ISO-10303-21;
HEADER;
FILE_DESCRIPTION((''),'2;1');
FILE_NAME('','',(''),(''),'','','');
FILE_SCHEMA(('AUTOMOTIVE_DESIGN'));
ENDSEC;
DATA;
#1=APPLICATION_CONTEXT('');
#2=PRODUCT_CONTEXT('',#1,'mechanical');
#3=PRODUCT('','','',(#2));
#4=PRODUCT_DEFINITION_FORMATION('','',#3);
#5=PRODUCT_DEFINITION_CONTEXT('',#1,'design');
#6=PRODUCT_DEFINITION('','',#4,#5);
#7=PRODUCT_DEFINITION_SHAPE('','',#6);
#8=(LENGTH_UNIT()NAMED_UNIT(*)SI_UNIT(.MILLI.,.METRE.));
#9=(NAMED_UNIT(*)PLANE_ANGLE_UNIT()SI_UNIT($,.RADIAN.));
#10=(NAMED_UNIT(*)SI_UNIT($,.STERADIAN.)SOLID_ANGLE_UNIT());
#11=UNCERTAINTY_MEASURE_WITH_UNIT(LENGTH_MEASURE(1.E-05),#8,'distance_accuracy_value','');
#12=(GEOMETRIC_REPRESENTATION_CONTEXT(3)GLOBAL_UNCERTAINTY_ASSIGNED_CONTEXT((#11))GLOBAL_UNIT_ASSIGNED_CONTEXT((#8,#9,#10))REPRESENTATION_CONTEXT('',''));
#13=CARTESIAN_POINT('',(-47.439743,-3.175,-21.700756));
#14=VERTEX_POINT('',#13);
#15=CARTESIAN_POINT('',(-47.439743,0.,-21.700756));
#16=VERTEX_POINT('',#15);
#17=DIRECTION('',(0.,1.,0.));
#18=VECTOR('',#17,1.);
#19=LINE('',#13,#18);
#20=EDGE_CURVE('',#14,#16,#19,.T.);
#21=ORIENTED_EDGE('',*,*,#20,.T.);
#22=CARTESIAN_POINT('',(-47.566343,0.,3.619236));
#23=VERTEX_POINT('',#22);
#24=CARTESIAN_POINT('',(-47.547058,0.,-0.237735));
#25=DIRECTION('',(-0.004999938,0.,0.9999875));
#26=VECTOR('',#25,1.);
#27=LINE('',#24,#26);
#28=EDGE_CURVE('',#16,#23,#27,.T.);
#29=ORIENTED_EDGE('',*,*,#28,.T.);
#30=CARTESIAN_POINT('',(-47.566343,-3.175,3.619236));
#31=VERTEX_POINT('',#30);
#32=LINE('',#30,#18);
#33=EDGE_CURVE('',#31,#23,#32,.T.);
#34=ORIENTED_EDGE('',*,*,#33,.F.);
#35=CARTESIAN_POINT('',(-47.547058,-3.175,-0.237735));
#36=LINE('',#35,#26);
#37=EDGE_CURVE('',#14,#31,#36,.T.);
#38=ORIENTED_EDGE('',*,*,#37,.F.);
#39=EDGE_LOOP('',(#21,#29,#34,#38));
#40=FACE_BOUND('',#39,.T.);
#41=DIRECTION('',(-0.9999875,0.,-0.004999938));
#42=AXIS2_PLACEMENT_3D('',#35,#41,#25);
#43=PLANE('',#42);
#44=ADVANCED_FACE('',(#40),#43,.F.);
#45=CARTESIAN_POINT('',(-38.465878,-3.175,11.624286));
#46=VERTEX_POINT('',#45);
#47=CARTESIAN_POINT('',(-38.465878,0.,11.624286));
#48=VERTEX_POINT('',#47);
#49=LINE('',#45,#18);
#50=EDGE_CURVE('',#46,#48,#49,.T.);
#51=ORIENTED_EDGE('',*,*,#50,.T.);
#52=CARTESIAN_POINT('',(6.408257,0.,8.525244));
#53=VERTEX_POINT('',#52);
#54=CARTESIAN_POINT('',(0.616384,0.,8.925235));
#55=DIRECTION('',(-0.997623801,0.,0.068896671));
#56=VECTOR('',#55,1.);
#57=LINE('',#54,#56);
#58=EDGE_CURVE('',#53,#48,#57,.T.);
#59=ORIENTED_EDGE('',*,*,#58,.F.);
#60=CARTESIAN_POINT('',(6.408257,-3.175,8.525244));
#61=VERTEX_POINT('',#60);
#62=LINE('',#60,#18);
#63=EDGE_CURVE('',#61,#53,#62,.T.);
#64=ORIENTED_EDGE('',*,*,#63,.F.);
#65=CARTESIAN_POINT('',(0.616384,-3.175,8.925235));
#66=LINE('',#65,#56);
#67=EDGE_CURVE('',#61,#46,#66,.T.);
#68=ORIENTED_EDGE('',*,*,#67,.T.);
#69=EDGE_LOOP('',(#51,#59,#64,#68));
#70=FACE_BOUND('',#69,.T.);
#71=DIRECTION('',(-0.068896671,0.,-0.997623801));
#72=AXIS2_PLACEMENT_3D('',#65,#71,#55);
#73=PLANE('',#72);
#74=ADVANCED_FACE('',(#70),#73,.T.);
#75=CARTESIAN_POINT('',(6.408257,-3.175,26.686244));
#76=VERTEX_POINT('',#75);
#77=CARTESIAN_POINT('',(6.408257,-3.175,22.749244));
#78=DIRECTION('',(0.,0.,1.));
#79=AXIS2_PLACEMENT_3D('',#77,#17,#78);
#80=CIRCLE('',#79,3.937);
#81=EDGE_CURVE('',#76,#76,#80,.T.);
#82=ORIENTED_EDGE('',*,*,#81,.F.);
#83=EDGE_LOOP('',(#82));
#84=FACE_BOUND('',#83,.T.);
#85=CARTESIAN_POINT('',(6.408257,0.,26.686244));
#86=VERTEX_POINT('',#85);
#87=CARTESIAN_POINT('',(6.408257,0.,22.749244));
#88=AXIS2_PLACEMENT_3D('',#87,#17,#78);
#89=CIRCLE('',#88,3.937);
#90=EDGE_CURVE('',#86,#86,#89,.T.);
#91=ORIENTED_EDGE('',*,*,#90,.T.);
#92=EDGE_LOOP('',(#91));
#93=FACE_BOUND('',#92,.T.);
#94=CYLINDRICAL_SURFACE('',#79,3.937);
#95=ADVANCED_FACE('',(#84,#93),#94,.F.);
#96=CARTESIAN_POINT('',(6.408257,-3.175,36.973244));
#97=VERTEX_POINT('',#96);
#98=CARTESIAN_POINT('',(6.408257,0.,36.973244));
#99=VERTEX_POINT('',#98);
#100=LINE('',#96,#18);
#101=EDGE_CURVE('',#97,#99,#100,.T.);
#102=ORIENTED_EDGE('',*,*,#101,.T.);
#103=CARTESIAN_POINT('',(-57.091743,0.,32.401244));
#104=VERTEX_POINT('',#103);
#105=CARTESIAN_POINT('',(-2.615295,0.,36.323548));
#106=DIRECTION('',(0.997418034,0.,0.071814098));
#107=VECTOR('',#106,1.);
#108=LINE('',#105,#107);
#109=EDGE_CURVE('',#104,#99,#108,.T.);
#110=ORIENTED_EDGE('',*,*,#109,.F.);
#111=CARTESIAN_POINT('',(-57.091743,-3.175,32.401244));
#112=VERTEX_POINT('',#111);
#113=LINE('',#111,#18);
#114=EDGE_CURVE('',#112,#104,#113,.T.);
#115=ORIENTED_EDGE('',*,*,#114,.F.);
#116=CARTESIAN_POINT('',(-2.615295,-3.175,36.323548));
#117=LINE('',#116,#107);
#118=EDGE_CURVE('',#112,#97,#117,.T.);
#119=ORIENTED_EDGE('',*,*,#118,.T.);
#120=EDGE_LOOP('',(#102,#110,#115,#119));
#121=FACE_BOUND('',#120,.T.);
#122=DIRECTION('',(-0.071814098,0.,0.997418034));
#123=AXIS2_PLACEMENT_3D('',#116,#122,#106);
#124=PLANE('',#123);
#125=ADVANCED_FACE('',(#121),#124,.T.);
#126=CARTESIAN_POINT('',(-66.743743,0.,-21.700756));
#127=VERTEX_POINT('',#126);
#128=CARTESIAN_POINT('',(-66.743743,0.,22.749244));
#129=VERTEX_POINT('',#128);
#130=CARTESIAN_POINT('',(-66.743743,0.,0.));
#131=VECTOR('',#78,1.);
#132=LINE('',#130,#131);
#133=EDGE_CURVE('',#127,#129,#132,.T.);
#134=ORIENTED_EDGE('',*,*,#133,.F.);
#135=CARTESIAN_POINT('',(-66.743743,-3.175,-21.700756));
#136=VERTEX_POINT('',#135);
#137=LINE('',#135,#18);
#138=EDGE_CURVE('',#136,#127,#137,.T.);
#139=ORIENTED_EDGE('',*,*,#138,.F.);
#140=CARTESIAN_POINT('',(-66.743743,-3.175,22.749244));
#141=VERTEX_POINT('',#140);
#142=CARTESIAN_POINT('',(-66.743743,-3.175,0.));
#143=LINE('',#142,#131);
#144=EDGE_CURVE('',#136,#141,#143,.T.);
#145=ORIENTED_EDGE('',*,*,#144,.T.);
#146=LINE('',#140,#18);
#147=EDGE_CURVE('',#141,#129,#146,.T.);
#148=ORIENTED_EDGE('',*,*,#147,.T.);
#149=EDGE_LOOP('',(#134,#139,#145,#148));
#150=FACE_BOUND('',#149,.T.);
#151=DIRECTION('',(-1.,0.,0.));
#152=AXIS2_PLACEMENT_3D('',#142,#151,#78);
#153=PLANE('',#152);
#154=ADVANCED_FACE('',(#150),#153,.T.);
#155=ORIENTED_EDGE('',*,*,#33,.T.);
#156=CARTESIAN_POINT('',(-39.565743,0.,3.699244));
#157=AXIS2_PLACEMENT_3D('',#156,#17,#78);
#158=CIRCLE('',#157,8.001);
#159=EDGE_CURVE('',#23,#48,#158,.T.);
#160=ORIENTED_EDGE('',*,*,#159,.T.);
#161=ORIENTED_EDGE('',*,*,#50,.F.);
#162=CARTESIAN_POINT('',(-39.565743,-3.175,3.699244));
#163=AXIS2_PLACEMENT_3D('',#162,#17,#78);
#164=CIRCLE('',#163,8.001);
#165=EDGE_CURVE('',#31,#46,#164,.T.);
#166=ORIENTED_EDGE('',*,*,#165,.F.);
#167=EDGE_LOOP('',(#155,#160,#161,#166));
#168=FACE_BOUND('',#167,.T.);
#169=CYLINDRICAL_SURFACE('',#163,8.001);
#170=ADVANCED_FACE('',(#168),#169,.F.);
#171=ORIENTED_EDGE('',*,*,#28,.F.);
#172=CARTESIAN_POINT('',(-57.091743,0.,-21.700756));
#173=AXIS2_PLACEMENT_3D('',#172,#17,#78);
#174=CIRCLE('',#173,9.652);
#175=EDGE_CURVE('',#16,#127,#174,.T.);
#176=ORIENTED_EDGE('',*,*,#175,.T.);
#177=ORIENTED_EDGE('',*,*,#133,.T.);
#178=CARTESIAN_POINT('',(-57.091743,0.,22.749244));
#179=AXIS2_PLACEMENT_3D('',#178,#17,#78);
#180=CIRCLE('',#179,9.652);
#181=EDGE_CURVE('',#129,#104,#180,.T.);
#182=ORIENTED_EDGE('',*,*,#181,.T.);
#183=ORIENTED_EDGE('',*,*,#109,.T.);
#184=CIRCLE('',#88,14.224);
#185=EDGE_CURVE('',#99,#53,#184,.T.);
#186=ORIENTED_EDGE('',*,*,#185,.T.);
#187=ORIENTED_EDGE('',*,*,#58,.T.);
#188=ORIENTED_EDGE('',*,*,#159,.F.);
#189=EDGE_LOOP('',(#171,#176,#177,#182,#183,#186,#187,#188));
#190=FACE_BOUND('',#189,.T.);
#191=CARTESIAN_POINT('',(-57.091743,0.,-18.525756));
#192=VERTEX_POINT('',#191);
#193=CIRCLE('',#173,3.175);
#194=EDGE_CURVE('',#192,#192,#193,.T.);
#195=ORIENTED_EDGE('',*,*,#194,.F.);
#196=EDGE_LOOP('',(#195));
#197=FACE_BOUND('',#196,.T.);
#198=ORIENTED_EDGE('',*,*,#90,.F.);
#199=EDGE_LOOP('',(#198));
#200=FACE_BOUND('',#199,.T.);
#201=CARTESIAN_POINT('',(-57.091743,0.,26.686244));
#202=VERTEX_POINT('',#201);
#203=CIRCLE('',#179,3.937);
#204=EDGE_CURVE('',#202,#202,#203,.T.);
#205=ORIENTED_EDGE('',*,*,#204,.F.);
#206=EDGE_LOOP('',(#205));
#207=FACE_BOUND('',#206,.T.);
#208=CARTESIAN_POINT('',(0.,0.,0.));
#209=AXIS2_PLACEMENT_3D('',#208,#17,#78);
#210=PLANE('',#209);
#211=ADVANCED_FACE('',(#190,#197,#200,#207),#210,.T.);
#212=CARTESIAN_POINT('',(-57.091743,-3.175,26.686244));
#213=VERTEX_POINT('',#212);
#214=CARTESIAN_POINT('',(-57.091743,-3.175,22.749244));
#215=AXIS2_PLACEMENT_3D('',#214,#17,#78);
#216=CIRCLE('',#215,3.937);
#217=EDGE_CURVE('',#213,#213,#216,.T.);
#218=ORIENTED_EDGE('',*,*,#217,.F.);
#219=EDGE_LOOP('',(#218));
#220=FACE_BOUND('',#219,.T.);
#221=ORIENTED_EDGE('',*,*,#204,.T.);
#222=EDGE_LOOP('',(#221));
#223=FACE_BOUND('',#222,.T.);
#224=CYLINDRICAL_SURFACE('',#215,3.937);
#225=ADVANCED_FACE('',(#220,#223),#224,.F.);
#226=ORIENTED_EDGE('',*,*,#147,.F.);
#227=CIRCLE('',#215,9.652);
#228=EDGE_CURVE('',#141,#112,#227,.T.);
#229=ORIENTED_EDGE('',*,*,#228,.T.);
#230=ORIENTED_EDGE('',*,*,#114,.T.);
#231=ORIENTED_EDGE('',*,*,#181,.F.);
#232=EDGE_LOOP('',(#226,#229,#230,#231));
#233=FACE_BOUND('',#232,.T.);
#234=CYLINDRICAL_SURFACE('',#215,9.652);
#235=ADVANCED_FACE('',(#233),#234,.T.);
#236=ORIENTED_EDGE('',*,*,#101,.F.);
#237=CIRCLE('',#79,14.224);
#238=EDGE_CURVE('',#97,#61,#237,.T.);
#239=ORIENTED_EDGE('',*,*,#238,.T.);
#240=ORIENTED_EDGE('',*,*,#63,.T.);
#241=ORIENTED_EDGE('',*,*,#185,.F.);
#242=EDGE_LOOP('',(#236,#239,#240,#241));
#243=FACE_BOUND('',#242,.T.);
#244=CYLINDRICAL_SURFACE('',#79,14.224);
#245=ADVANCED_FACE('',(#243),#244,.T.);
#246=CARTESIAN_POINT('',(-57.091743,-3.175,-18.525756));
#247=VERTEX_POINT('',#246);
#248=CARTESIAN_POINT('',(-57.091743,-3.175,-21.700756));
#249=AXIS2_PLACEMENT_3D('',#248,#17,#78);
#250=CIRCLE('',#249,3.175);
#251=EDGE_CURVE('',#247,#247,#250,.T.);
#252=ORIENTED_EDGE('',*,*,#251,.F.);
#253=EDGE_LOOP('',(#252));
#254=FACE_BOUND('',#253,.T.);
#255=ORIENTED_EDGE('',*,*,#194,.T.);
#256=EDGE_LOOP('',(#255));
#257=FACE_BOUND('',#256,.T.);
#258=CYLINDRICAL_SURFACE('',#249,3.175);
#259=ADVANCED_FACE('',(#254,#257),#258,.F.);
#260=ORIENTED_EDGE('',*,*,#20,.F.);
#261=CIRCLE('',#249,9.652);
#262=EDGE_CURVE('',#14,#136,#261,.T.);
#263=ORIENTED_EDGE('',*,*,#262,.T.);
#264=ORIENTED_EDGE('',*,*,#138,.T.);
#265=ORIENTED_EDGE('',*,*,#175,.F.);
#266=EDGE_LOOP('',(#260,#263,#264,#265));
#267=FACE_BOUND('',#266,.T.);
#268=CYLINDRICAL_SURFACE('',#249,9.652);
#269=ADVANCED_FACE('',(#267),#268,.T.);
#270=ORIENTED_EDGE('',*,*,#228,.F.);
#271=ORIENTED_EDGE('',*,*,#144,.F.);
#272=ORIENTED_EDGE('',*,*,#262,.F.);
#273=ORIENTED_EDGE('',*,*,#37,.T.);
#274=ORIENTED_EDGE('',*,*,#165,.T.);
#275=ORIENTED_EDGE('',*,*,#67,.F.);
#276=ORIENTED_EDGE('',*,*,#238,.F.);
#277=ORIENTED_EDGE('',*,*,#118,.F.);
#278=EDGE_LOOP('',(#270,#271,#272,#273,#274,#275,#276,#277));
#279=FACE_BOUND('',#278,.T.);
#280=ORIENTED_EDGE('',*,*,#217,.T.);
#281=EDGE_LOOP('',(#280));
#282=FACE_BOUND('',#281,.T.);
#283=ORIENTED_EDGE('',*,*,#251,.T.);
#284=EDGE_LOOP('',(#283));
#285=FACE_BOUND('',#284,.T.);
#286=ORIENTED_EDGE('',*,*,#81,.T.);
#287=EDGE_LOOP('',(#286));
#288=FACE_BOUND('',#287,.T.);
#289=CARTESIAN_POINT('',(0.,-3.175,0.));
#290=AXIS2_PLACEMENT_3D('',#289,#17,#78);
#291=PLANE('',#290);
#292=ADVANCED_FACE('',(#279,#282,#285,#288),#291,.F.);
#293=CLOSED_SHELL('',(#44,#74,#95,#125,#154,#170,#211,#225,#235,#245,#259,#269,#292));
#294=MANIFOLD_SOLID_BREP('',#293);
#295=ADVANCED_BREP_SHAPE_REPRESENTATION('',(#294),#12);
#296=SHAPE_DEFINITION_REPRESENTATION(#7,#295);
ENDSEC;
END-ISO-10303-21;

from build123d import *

# Parameters (mm, degrees)
SKETCH1_R           = 3.937
SKETCH1_R_2         = 3.175
BOSS_EXTRUDE1_DEPTH = 3.175


with BuildPart() as part:
    # Sketch1 → Boss-Extrude1 (new body)
    with BuildSketch(Plane(origin=(0, 0, 0), x_dir=(1, 0, 0), z_dir=(0, 1, 0))):
        with BuildLine():
            ThreePointArc((-47.439743119, 21.70075638), (-57.091743119, 31.35275638), (-66.743743119, 21.70075638))
            Line((-66.743743119, 21.70075638), (-66.743743119, -22.74924362))
            ThreePointArc((-66.743743119, -22.74924362), (-63.916737771, -29.574238272), (-57.091743119, -32.40124362))
            Line((-57.091743119, -32.40124362), (4.370564279, -36.826529753))
            Line((4.370564279, -36.826529753), (6.408256881, -36.97324362))
            ThreePointArc((6.408256881, -36.97324362), (20.632256881, -22.74924362), (6.408256881, -8.52524362))
            Line((6.408256881, -8.52524362), (4.452941658, -8.660279201))
            Line((4.452941658, -8.660279201), (-38.465878307, -11.624286105))
            ThreePointArc((-38.465878307, -11.624286105), (-39.014500852, -11.681231653), (-39.565743119, -11.70024362))
            ThreePointArc((-39.565743119, -11.70024362), (-45.223304476, -9.356804976), (-47.566743119, -3.69924362))
            Line((-47.566743119, -3.69924362), (-47.566343079, -3.61923562))
            Line((-47.566343079, -3.61923562), (-47.440225707, 21.604238793))
            Line((-47.440225707, 21.604238793), (-47.439743119, 21.70075638))
        make_face()
        with Locations(Location((-57.091743119, -22.74924362, 0), (0, 0, 270))):
            Circle(SKETCH1_R, mode=Mode.SUBTRACT)
        with Locations(Location((6.408256881, -22.74924362, 0), (0, 0, 270))):
            Circle(SKETCH1_R, mode=Mode.SUBTRACT)
        with Locations(Location((-57.091743119, 21.70075638, 0), (0, 0, 270))):
            Circle(SKETCH1_R_2, mode=Mode.SUBTRACT)
    extrude(amount=-BOSS_EXTRUDE1_DEPTH)


solid = part.part
